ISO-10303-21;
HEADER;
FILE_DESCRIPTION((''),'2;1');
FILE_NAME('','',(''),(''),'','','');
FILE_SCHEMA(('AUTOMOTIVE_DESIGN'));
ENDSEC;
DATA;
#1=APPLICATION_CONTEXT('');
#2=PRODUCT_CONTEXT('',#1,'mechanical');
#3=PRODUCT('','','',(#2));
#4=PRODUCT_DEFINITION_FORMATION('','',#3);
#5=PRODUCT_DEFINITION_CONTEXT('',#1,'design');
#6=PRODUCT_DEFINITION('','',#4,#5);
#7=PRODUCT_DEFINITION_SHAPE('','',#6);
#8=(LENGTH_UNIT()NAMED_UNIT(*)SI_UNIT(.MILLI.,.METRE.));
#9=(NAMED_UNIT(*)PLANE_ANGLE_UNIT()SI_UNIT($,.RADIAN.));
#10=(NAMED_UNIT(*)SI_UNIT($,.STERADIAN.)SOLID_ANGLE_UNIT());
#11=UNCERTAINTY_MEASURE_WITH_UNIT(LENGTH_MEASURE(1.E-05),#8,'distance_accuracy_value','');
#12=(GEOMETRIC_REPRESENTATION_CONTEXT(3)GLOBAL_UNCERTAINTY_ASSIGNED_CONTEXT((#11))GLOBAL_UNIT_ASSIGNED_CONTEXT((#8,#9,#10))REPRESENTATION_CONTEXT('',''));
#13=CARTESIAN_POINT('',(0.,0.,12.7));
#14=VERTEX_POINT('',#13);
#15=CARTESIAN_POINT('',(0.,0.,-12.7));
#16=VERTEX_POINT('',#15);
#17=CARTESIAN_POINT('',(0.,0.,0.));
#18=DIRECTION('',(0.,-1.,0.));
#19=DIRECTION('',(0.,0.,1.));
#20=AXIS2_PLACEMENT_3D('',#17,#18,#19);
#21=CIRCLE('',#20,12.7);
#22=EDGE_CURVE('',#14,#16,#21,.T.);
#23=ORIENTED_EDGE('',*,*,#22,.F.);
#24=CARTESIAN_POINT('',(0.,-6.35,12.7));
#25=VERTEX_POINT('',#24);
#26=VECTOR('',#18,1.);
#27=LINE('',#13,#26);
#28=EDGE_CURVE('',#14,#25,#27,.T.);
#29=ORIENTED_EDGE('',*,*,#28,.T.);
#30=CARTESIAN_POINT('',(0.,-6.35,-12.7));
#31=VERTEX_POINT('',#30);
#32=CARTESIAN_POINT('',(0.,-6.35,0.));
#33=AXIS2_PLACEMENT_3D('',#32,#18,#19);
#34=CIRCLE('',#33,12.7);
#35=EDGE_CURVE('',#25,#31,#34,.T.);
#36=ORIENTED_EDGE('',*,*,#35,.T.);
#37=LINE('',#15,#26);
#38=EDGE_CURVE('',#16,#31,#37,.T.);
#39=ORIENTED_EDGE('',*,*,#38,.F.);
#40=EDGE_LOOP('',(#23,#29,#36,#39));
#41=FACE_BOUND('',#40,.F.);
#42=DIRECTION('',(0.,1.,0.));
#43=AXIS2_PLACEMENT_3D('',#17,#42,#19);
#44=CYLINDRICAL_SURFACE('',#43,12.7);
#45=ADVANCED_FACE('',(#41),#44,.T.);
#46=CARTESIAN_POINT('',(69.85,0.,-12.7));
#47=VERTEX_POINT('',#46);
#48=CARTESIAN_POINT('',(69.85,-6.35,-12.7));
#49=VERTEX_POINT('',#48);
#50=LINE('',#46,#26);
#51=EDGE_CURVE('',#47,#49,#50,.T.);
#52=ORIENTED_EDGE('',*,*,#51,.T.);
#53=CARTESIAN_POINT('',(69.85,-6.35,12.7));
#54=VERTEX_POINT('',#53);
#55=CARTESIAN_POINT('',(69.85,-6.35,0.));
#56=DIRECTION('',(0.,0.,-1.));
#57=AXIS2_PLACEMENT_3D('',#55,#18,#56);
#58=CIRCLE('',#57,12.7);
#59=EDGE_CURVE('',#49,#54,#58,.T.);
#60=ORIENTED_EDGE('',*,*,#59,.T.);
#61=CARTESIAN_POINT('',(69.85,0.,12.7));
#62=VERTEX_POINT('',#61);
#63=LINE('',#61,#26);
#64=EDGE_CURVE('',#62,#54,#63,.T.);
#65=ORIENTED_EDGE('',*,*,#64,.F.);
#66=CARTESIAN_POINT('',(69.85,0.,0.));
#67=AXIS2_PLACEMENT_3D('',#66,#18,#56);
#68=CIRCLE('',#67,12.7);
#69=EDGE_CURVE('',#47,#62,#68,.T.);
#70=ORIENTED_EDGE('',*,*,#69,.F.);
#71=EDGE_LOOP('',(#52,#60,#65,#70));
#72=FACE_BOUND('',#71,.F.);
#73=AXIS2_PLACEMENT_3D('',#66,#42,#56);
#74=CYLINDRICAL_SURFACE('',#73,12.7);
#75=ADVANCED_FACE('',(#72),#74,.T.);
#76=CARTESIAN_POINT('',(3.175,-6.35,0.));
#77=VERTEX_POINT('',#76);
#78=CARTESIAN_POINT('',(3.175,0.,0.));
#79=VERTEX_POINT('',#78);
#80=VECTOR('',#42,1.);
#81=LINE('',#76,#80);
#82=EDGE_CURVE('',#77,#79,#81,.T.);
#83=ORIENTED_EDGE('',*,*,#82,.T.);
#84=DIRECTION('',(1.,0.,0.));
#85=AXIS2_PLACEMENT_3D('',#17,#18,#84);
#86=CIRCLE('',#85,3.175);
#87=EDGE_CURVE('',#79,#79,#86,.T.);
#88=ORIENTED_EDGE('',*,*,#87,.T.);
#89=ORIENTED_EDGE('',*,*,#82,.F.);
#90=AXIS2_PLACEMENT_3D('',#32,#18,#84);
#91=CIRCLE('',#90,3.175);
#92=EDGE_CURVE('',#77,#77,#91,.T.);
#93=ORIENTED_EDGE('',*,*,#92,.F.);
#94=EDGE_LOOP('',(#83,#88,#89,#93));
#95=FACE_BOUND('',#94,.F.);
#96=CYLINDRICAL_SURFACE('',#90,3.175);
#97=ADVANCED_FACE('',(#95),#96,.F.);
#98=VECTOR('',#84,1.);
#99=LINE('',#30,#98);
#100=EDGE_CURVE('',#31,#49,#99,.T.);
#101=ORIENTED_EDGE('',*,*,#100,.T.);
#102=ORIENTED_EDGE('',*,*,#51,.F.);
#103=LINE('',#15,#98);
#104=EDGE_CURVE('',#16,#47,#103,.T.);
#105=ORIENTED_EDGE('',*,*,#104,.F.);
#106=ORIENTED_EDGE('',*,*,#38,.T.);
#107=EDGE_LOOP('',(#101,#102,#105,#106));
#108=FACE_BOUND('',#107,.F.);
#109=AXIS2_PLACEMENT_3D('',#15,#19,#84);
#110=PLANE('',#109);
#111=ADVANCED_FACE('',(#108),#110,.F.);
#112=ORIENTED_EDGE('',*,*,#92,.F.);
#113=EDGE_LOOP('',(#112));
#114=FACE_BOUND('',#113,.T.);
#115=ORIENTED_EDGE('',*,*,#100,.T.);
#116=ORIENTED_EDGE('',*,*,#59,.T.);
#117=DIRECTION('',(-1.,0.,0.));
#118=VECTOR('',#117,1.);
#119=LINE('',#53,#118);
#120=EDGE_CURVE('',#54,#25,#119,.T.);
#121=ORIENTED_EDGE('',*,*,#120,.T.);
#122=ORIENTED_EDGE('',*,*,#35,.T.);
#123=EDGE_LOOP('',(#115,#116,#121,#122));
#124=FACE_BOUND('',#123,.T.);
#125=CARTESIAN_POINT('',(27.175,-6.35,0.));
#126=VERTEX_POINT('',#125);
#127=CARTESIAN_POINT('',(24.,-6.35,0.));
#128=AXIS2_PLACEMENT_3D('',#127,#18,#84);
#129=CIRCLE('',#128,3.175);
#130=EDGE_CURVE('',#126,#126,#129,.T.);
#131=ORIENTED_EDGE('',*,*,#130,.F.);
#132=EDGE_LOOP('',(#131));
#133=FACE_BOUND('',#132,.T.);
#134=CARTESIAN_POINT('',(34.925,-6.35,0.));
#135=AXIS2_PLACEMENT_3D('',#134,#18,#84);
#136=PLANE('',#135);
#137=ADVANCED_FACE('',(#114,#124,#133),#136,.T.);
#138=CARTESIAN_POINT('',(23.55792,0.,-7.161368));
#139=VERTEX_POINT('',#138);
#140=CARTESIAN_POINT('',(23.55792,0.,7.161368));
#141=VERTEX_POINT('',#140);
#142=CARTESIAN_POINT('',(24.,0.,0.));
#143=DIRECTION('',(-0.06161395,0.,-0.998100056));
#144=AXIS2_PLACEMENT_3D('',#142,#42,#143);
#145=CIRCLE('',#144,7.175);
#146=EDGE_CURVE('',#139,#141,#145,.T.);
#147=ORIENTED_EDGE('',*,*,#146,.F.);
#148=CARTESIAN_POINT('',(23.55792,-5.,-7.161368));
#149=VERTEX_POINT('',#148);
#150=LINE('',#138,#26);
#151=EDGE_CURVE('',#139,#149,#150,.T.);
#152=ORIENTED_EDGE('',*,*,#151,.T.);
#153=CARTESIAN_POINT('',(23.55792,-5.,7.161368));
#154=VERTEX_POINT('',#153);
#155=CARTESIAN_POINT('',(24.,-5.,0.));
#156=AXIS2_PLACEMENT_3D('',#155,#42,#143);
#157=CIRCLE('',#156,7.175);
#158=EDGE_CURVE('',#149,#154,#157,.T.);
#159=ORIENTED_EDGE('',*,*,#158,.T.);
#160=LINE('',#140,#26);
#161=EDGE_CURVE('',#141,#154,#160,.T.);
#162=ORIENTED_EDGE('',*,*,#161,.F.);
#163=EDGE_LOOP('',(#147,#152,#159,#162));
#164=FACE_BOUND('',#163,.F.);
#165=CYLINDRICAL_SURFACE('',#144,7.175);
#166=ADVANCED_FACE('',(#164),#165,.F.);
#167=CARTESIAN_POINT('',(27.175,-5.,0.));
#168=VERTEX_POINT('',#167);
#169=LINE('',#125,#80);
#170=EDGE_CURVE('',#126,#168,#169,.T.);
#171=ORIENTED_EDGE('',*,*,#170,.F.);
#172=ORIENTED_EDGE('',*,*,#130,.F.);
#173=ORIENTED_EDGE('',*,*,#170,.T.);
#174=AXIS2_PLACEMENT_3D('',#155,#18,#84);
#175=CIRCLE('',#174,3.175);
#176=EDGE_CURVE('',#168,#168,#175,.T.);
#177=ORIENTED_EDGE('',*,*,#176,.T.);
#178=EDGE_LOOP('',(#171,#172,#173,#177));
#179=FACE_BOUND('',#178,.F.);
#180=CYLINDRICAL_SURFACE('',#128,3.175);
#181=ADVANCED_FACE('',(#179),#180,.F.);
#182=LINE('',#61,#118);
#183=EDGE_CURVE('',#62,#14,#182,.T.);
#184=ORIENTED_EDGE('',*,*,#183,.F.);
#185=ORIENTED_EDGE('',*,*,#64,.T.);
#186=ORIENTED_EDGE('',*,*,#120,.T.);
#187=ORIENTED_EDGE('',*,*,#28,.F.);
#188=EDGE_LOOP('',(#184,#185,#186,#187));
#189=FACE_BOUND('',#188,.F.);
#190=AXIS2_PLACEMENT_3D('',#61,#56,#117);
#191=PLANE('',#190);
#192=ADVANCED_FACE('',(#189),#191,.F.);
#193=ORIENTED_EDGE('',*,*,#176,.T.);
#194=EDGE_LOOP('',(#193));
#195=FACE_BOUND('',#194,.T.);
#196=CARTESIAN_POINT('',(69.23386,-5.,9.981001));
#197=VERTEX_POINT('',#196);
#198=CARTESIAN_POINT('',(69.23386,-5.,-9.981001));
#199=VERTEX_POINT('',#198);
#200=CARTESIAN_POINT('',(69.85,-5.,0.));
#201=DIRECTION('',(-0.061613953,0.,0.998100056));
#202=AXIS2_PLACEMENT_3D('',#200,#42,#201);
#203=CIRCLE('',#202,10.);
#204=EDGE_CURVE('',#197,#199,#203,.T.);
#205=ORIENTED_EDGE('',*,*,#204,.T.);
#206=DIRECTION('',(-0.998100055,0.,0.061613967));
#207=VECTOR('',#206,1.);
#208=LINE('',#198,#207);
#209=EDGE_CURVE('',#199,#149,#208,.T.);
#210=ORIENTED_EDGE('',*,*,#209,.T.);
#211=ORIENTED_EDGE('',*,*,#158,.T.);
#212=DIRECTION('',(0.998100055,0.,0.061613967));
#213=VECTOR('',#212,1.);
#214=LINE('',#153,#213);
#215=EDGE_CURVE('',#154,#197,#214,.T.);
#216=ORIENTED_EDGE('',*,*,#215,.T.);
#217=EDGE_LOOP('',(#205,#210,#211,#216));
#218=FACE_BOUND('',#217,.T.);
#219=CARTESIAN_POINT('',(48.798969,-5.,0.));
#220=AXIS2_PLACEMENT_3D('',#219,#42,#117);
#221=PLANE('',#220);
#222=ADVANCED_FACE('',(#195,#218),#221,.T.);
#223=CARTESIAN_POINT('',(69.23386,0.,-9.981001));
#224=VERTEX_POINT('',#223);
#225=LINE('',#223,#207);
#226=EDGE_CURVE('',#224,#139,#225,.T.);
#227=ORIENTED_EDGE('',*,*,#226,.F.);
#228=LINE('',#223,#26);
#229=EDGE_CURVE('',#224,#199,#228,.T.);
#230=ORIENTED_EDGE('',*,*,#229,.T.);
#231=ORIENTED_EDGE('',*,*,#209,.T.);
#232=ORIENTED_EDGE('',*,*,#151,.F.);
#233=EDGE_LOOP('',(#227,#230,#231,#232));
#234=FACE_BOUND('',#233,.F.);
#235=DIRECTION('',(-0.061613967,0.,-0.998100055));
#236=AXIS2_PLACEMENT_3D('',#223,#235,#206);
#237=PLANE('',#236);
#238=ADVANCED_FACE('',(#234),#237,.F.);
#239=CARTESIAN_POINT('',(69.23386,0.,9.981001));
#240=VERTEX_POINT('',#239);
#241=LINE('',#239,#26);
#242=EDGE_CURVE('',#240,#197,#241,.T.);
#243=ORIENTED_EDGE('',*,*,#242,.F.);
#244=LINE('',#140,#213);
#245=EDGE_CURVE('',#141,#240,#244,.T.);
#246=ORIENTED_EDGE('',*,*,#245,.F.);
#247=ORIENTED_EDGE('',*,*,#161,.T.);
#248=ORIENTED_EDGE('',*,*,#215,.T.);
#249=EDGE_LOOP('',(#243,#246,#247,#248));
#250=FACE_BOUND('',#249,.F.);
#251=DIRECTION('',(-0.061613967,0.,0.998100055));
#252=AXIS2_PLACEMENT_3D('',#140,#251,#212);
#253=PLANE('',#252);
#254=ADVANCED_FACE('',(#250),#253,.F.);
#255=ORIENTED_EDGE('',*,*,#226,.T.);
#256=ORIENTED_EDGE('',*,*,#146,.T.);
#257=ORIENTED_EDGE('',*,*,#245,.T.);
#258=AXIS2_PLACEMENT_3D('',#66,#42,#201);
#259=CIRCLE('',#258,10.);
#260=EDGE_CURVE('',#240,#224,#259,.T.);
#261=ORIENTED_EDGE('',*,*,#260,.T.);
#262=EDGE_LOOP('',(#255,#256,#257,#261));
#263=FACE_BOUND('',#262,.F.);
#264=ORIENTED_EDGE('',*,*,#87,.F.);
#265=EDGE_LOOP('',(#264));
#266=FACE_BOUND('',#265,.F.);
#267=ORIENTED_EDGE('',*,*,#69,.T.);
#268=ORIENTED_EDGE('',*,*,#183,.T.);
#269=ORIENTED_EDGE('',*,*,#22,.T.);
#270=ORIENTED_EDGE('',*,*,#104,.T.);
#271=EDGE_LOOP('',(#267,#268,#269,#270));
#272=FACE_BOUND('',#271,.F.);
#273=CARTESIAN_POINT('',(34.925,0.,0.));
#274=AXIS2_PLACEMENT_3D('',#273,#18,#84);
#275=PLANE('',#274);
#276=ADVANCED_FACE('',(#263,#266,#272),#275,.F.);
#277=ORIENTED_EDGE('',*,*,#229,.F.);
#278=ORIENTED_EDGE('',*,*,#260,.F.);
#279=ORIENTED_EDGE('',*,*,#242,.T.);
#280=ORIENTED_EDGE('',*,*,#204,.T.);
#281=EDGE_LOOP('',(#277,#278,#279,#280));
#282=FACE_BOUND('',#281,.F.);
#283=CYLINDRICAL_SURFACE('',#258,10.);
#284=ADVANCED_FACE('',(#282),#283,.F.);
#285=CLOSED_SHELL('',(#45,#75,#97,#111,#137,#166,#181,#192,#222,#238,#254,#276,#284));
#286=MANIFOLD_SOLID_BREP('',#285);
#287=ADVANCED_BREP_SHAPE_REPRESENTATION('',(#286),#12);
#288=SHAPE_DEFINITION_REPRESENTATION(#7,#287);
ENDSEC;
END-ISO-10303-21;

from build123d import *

# Parameters (mm, degrees)
F1_DEPTH = 6.35
F2_R     = 3.175
F3_DEPTH = 6.35
F5_DEPTH = 5


with BuildPart() as f1:
    # F0 (on Front) → F1 (new body)
    with BuildSketch(Plane.XZ):
        with BuildLine():
            Line((69.85, 12.7), (0, 12.7))
            ThreePointArc((0, 12.7), (-12.7, 0), (0, -12.7))
            Line((0, -12.7), (69.85, -12.7))
            ThreePointArc((69.85, -12.7), (82.55, 0), (69.85, 12.7))
        make_face()
    extrude(amount=F1_DEPTH)

    # F2 (on face) → F3 (cut, through all)
    with BuildSketch(Plane.XZ.offset(6.35)):
        Circle(F2_R)
        with Locations((24, 0)):
            Circle(F2_R)
    extrude(amount=-F3_DEPTH, mode=Mode.SUBTRACT)

    # F4 (on face) → F5 (cut)
    with BuildSketch(Plane(origin=(0, 0, 0), x_dir=(-1, 0, 0), z_dir=(0, 1, 0))):
        with BuildLine():
            Line((-23.55792, 7.161368), (-69.23386, 9.981001))
            ThreePointArc((-69.23386, 9.981001), (-79.85, 0), (-69.23386, -9.981001))
            Line((-69.23386, -9.981001), (-23.55792, -7.161368))
            ThreePointArc((-23.55792, -7.161368), (-16.825, 0), (-23.55792, 7.161368))
        make_face()
    extrude(amount=-F5_DEPTH, mode=Mode.SUBTRACT)


solid = f1.part
